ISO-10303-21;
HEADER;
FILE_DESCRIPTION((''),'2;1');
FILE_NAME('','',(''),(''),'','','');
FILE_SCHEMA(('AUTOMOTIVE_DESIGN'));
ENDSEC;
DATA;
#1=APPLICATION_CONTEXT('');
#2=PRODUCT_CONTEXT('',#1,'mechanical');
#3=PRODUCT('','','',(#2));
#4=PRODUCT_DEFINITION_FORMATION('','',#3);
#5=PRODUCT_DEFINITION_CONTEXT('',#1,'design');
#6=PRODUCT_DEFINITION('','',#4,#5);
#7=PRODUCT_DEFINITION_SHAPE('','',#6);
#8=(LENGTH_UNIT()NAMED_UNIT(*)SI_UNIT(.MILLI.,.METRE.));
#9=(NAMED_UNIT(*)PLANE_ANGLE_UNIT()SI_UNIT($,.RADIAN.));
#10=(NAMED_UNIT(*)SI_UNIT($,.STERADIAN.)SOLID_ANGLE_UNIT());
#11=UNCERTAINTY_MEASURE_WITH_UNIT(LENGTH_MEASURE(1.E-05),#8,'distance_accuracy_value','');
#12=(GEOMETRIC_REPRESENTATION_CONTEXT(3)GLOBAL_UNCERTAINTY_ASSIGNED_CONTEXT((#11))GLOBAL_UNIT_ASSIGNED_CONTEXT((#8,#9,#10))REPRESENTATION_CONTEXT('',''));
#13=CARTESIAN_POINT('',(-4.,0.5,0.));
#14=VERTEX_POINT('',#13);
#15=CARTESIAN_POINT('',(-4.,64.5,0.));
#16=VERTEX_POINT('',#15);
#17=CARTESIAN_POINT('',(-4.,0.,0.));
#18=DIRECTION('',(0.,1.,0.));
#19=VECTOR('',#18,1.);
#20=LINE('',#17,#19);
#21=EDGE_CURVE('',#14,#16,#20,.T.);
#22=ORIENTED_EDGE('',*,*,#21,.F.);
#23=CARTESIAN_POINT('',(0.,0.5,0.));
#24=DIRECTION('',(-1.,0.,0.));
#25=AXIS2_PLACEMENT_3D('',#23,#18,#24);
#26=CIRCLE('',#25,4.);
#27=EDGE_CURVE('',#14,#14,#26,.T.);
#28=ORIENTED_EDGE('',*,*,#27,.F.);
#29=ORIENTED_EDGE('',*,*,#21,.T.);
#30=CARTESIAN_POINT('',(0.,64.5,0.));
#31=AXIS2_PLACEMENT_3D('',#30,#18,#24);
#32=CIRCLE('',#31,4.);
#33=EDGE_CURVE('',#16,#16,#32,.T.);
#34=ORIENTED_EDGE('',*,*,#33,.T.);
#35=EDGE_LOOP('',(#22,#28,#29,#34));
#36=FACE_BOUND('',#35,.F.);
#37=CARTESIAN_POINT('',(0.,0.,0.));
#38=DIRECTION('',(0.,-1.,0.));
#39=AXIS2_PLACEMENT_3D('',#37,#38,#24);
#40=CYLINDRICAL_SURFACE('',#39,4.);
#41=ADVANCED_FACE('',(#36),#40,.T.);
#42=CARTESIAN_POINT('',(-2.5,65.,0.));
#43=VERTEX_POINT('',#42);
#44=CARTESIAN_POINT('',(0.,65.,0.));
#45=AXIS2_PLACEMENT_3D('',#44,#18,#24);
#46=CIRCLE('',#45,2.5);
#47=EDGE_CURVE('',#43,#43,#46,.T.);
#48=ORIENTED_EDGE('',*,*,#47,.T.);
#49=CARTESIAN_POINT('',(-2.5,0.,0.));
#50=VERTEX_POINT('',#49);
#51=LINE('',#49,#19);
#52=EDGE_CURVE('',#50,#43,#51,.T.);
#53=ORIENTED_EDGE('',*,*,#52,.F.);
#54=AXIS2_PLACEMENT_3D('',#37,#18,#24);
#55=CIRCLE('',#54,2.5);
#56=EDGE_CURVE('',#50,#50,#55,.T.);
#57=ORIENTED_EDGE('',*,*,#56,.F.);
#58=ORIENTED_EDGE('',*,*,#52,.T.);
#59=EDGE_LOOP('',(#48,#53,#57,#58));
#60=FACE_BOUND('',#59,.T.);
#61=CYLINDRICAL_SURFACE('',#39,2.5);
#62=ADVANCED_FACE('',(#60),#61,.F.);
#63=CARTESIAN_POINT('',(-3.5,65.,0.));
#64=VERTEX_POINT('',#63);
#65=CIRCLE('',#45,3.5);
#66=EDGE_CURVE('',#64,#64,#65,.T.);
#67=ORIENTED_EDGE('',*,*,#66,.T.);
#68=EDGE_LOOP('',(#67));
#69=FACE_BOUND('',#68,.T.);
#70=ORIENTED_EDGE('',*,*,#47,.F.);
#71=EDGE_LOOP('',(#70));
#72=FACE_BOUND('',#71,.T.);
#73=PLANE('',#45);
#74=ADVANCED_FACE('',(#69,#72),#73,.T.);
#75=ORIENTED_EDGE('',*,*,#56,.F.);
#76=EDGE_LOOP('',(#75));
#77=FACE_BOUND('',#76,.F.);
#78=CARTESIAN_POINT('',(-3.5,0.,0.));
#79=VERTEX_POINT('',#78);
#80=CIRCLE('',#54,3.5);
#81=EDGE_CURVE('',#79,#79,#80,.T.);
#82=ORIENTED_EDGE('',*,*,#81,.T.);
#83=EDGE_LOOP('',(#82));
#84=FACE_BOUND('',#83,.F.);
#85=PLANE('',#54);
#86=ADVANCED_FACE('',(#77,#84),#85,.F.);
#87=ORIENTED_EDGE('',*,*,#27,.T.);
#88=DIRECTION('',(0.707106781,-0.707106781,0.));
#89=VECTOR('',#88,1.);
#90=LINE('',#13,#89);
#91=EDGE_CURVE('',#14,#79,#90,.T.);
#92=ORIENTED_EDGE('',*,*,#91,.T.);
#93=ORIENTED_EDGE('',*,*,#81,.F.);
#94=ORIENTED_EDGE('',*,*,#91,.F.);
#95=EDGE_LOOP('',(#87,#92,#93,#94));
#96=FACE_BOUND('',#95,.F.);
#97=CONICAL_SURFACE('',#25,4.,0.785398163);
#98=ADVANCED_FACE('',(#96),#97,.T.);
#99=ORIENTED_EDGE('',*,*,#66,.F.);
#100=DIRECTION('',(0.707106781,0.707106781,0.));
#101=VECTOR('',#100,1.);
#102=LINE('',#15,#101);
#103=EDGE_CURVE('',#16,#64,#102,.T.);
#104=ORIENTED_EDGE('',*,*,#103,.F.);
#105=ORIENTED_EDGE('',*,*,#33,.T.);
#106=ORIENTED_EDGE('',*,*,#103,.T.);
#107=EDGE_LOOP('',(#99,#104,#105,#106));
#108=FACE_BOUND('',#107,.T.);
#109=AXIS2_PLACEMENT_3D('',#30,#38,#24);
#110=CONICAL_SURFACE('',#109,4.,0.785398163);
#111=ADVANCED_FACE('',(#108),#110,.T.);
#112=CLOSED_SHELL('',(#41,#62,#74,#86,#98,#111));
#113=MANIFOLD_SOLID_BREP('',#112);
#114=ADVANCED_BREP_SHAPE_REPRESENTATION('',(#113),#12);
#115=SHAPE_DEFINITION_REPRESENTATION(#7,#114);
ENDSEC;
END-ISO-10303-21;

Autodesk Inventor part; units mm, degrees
ref_plane "YZ Plane" through (0, 0, 0) normal (1, 0, 0) x (0, 1, 0)
ref_plane "XZ Plane" through (0, 0, 0) normal (0, 1, 0) x (-1, 0, 0)
ref_plane "XY Plane" through (0, 0, 0) normal (0, 0, 1) x (1, 0, 0)
sketch "Sketch1" plane through (0, 0, 0) normal (0, 1, 0) x (-1, 0, 0)
  circle A0 centre (0, 0) radius 4
  circle A1 centre (0, 0) radius 2.5
  dimension "d0" = 8
  dimension "d1" = 5
extrude "Extrusion1" add sketch "Sketch1" along normal blind 65
chamfer "Chamfer1" distance 0.5 angle 45 2 edges at (4, 65, 0) (4, 0, 0)
properties part number "pin_8_65"
